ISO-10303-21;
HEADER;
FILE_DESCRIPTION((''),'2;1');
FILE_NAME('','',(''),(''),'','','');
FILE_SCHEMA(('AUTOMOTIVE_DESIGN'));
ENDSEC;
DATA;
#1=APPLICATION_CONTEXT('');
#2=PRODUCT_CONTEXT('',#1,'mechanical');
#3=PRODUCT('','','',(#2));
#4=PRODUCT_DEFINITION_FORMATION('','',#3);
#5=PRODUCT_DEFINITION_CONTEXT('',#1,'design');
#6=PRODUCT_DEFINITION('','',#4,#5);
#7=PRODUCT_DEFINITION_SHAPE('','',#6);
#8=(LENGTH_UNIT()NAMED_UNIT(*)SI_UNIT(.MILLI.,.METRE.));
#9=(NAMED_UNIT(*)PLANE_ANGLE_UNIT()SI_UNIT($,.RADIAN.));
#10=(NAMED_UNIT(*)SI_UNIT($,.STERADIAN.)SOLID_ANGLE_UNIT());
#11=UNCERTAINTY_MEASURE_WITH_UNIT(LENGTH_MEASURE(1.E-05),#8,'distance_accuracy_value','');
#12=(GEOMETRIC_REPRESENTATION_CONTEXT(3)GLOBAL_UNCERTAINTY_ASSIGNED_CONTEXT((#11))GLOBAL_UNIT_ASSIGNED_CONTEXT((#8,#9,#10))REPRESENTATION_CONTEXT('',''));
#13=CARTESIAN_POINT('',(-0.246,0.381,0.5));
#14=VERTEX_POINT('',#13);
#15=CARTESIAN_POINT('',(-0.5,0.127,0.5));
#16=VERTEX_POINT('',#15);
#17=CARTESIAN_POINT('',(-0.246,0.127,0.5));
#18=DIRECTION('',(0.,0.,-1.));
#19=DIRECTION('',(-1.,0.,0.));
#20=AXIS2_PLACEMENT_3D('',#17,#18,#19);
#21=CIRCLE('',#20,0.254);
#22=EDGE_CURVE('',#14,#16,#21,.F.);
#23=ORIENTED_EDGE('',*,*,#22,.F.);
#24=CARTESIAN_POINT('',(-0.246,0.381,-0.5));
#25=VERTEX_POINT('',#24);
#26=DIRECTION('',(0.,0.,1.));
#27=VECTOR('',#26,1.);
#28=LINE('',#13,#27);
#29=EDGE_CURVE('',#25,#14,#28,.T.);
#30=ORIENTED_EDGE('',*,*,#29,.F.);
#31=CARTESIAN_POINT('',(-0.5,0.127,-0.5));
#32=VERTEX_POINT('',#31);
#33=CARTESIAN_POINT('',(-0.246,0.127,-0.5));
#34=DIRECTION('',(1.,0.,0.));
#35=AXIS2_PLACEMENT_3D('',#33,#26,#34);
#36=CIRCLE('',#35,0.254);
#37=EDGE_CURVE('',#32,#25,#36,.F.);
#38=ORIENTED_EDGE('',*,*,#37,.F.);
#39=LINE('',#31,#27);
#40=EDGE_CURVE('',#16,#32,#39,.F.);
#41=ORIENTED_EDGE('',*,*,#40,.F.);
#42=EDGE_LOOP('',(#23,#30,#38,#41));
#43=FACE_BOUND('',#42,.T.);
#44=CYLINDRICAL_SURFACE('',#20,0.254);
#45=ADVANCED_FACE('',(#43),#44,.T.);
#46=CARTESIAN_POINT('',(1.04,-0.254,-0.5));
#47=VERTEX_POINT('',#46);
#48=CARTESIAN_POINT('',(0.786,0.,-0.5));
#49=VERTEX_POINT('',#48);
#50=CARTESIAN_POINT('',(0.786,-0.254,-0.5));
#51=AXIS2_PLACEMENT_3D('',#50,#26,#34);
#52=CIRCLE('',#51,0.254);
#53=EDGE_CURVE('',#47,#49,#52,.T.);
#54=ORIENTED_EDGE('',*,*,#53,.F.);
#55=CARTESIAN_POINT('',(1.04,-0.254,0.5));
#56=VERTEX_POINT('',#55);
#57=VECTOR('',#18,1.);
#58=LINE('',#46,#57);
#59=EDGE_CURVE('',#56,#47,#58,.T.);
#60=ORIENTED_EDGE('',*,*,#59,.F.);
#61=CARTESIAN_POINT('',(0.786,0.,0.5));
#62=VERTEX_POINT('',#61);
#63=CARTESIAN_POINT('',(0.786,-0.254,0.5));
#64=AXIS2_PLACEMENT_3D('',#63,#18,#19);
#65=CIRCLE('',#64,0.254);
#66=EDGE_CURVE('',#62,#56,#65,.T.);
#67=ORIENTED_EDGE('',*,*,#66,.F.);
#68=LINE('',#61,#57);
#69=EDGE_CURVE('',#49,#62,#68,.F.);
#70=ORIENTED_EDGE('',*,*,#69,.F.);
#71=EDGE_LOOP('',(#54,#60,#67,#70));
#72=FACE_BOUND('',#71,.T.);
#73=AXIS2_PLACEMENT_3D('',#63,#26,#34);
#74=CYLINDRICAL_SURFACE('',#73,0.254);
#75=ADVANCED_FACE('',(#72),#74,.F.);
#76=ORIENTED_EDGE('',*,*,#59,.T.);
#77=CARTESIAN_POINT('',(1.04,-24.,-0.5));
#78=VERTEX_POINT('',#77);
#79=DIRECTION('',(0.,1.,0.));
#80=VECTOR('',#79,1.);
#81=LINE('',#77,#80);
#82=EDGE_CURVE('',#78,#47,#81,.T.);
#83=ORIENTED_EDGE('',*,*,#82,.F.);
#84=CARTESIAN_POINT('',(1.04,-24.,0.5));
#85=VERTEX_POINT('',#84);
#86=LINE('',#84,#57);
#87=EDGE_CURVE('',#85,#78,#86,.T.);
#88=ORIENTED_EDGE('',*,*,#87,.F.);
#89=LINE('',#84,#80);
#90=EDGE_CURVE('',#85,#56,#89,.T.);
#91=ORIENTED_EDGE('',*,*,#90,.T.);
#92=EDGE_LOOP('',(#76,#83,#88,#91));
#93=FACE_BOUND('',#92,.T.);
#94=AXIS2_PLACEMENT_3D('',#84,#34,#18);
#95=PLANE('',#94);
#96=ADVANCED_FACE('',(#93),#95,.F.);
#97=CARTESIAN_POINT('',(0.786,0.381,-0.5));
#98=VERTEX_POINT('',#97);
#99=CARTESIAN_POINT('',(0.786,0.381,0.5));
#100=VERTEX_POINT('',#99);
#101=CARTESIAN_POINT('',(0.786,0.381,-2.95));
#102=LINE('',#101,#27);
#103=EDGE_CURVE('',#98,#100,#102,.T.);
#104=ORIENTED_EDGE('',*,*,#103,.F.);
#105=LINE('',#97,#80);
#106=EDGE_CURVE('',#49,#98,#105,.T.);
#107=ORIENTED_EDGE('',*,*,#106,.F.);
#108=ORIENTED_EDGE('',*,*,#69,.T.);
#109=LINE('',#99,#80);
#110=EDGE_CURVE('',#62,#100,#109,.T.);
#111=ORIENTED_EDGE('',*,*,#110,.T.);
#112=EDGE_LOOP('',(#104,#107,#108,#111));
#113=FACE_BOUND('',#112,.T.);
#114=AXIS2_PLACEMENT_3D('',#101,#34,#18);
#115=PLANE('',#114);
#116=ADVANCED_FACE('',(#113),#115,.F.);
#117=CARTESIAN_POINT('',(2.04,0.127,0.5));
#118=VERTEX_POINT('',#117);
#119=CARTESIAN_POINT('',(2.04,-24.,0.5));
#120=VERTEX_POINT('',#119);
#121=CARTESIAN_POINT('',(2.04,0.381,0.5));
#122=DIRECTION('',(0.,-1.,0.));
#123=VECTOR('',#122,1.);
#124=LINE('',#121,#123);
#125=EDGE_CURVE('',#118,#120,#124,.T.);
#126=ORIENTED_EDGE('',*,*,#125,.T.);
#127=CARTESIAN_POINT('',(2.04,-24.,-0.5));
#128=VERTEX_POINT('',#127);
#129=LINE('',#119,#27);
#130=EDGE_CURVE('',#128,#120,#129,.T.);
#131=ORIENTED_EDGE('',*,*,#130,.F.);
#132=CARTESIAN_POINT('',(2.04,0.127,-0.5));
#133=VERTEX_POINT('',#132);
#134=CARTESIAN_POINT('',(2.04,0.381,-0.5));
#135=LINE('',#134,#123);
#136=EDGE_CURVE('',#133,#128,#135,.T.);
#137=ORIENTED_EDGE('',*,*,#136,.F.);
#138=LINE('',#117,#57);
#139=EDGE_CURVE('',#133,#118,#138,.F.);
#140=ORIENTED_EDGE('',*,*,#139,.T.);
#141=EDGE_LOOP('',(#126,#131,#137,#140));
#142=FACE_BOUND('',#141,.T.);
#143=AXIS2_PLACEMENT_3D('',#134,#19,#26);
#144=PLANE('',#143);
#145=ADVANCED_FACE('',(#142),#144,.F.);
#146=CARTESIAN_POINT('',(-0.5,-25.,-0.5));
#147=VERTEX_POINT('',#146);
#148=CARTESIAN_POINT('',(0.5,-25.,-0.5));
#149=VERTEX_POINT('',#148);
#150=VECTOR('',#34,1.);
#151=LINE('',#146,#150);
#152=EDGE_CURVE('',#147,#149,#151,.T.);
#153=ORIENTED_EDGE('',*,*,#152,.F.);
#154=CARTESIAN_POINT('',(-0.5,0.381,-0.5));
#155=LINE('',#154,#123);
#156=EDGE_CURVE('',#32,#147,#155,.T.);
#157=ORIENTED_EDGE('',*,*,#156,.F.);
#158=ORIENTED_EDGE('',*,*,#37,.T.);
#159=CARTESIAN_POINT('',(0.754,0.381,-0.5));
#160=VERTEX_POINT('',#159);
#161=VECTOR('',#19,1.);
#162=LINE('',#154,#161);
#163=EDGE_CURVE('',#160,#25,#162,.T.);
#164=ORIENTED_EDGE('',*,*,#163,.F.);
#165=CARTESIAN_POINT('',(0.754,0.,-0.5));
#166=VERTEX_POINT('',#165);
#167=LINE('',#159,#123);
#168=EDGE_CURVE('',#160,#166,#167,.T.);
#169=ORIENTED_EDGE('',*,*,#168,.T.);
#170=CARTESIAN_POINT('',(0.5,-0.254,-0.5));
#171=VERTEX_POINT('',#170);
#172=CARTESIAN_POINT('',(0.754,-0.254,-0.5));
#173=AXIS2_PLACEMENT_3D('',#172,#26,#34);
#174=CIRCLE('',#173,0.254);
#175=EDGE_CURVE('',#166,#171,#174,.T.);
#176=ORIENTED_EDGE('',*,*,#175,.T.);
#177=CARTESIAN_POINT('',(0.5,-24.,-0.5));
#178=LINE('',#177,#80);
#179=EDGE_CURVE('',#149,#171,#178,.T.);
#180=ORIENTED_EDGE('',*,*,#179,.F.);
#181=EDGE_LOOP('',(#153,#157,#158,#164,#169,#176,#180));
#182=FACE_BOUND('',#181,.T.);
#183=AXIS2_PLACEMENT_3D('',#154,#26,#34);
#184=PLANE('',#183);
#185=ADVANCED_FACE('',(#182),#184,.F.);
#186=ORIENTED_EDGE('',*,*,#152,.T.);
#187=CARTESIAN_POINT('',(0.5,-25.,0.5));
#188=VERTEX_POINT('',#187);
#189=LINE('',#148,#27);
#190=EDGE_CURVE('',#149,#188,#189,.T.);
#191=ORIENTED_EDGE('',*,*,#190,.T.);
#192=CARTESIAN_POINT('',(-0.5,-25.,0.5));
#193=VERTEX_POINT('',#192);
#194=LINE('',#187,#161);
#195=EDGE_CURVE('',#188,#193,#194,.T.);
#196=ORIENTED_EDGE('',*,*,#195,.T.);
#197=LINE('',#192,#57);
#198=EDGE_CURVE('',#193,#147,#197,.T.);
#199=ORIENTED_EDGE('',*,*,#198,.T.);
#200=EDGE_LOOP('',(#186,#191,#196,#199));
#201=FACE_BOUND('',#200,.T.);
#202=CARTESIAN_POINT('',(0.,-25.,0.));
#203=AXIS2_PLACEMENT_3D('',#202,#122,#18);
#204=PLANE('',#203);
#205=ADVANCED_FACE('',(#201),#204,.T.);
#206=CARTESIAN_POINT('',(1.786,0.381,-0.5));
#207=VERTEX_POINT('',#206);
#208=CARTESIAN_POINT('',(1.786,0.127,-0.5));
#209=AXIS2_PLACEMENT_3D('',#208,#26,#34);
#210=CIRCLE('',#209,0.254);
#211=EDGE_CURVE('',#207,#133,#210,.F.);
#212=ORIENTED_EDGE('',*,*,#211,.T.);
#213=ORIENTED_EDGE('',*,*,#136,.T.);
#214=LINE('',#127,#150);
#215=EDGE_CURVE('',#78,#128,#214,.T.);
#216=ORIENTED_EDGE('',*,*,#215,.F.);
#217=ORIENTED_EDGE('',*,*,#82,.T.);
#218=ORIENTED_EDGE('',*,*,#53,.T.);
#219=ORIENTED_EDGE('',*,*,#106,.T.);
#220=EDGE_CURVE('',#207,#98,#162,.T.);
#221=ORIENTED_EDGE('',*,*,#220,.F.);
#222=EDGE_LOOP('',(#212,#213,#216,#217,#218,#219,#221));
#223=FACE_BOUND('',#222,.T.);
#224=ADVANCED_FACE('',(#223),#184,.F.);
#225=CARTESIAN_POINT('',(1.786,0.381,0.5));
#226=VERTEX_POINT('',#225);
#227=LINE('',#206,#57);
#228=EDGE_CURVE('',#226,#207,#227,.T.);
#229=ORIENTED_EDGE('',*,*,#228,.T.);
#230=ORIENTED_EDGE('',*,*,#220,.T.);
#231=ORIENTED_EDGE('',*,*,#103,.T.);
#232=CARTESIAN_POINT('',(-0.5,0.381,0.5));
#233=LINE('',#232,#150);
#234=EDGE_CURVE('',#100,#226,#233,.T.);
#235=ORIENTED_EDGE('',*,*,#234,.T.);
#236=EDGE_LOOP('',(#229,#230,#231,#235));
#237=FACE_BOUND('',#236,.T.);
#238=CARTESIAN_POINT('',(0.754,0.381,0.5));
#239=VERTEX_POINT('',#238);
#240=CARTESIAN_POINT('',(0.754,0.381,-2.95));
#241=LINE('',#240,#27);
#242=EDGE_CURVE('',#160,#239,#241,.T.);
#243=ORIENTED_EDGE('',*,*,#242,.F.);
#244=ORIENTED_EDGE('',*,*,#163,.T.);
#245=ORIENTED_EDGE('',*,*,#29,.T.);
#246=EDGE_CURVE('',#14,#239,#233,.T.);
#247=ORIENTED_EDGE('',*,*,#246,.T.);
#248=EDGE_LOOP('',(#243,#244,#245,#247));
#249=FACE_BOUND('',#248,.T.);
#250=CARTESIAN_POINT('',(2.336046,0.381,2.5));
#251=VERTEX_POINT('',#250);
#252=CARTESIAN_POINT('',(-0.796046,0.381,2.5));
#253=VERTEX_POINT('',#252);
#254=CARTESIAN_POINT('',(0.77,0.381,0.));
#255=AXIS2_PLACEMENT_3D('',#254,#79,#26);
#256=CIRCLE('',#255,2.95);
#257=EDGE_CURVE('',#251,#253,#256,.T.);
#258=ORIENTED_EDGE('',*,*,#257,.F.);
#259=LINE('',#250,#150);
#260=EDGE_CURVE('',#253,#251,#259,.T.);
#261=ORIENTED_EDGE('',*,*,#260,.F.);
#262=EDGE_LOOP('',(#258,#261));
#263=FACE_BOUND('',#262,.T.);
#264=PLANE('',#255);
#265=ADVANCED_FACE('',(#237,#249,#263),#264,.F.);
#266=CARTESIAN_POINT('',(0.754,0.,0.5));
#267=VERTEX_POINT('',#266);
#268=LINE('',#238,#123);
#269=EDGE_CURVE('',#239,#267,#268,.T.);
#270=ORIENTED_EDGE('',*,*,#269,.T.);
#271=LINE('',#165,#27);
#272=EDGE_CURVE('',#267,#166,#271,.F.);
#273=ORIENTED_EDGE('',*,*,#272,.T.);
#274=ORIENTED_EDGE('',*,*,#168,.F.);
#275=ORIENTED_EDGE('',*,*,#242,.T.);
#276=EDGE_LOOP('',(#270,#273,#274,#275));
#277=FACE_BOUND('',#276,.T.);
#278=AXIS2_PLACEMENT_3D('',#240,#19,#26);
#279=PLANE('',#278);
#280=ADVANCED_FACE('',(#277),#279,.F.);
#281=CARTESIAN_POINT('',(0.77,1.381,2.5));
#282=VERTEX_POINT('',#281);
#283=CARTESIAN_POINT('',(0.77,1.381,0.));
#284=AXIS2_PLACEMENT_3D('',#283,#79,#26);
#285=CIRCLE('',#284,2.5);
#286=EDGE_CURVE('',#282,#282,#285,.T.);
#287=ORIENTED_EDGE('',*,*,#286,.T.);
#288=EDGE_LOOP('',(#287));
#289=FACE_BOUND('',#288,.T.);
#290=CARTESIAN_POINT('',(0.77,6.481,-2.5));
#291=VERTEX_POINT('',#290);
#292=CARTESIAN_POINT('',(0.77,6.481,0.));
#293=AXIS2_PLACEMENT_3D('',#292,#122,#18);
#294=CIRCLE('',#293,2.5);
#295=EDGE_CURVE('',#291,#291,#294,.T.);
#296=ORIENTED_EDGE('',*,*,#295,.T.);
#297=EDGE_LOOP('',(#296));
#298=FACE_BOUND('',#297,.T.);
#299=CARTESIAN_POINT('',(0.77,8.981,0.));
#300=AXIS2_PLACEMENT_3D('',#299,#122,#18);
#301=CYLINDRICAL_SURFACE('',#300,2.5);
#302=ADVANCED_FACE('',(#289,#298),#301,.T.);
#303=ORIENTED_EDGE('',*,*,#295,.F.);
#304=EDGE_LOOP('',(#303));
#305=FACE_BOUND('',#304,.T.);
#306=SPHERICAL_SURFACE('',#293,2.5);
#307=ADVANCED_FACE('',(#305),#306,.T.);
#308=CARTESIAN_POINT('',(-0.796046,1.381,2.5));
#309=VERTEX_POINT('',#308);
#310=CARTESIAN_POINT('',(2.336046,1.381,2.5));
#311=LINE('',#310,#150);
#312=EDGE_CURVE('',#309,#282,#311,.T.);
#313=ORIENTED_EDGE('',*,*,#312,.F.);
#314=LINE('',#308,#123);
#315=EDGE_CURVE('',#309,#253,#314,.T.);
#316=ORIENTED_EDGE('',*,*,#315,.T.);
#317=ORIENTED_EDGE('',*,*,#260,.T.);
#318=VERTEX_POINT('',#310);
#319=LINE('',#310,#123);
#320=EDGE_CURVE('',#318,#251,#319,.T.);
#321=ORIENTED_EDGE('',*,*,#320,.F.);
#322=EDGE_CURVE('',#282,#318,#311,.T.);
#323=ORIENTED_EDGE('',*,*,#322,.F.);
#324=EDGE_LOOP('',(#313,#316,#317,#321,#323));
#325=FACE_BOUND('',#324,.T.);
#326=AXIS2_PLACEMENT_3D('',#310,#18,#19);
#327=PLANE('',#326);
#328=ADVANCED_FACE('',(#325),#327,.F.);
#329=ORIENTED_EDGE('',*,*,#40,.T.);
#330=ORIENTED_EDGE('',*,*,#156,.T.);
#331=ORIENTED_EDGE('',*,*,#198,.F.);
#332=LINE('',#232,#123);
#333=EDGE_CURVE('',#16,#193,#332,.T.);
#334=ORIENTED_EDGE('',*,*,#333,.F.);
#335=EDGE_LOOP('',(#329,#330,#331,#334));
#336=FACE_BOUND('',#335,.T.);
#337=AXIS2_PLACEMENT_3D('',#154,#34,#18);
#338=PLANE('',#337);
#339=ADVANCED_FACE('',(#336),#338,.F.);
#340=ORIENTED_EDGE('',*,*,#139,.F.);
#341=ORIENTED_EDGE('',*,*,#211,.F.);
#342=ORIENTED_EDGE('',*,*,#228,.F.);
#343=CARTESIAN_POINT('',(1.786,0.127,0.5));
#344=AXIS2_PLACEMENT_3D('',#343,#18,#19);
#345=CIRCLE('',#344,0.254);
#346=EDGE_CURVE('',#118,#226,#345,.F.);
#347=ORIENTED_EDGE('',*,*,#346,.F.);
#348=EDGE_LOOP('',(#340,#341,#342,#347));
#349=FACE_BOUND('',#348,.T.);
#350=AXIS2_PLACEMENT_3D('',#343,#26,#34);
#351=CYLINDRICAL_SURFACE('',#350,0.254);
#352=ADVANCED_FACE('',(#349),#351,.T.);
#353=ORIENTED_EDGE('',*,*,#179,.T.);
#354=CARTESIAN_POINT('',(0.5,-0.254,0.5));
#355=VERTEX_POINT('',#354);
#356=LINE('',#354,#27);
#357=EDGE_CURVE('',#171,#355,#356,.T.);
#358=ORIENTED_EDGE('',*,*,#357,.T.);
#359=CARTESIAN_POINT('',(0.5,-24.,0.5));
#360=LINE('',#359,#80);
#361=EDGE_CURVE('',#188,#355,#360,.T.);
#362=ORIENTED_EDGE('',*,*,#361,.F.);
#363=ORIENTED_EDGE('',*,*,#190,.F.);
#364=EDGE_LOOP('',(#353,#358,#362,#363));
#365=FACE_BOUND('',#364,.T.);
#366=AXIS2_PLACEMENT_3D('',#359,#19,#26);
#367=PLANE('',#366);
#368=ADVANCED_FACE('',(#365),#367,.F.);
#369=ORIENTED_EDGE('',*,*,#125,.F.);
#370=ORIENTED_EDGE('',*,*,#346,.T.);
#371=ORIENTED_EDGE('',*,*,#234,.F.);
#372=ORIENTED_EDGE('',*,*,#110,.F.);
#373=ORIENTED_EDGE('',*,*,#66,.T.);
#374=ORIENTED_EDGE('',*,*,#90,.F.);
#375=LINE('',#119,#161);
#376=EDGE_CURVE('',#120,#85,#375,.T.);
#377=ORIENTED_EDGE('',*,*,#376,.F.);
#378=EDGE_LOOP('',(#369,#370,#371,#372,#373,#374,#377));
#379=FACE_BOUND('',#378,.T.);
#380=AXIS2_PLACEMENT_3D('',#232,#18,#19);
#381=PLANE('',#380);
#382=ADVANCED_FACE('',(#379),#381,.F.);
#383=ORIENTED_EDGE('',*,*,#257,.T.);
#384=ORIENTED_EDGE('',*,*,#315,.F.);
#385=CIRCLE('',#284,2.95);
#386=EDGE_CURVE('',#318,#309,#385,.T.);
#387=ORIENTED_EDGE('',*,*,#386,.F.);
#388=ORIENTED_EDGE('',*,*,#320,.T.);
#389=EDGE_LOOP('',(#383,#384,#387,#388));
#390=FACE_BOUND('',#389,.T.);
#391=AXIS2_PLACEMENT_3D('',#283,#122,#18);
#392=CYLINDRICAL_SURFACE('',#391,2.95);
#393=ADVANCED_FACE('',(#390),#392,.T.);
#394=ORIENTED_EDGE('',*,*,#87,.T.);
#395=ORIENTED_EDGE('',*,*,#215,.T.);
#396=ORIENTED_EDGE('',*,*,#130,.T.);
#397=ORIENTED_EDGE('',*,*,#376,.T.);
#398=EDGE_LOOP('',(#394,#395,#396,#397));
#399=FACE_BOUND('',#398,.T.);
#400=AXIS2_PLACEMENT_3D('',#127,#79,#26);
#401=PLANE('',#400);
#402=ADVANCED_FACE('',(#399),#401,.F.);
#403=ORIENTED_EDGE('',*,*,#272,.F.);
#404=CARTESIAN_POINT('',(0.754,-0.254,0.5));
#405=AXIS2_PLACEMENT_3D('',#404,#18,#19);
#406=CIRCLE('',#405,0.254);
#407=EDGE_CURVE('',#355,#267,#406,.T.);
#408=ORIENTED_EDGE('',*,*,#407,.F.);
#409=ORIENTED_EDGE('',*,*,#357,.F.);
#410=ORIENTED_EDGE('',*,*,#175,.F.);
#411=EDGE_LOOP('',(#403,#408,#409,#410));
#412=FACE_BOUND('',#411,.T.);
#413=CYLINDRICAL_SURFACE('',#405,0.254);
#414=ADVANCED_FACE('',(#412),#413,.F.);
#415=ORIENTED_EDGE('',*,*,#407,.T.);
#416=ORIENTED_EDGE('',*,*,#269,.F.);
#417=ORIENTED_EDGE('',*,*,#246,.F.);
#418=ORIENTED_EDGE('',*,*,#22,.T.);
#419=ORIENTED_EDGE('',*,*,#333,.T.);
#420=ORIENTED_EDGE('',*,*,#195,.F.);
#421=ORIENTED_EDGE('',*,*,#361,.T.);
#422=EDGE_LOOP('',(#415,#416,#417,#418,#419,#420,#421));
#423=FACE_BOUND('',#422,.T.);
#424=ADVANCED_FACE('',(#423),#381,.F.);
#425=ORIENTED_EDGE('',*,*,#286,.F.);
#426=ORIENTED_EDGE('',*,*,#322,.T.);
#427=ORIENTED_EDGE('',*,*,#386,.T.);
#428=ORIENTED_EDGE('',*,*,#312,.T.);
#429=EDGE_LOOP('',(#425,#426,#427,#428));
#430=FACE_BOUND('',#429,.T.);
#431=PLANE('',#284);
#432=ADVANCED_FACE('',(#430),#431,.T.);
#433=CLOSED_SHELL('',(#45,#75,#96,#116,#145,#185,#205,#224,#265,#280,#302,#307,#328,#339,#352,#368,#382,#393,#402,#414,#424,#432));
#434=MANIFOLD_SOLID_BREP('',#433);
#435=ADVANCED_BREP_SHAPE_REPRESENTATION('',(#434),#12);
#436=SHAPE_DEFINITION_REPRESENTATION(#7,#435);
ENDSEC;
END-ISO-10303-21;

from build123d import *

# Parameters (mm, degrees)
SKETCH1_W           = 2.54
SKETCH1_H           = 1
BASE_EXTRUDE_DEPTH  = 0.381
SKETCH2_W           = 1
SKETCH2_H           = 1
BOSS_EXTRUDE1_DEPTH = 24
SKETCH7_W           = 1
SKETCH7_H           = 1
BOSS_EXTRUDE4_DEPTH = 1
FILLET5_R           = 0.254
BOSS_EXTRUDE2_DEPTH = 1
SKETCH4_R           = 2.5
BOSS_EXTRUDE3_DEPTH = 7.6
FILLET4_R           = 2.5
SKETCH6_W           = 0.032
SKETCH6_H           = 0.381
CUT_EXTRUDE1_DEPTH  = 4.45


with BuildPart() as part:
    # Sketch1 → Base-Extrude (new body)
    with BuildSketch(Plane(origin=(0, 0, 0), x_dir=(1, 0, 0), z_dir=(0, 1, 0))):
        with Locations((0.77, 0)):
            Rectangle(SKETCH1_W, SKETCH1_H)
    extrude(amount=BASE_EXTRUDE_DEPTH)

    # Sketch2 → Boss-Extrude1 (add)
    with BuildSketch(Plane.XZ):
        Rectangle(SKETCH2_W, SKETCH2_H)
        with Locations((1.54, 0)):
            Rectangle(SKETCH2_W, SKETCH2_H)
    extrude(amount=BOSS_EXTRUDE1_DEPTH)

    # Sketch7 → Boss-Extrude4 (add)
    with BuildSketch(Plane.XZ.offset(24)):
        Rectangle(SKETCH7_W, SKETCH7_H)
    extrude(amount=BOSS_EXTRUDE4_DEPTH)

    # Fillet5
    fillet5_edges = [part.edges().sort_by_distance(p)[0] for p in [
        (2.04, 0.381, 0),
        (0.5, 0, 0),
        (1.04, 0, 0),
        (-0.5, 0.381, 0),
    ]]
    fillet(fillet5_edges, radius=FILLET5_R)

    # Sketch3 → Boss-Extrude2 (add)
    with BuildSketch(Plane(origin=(0, 0.381, 0), x_dir=(-1, 0, 0), z_dir=(0, 1, 0))):
        with BuildLine():
            Line((-2.336045976, 2.5), (0.796045976, 2.5))
            ThreePointArc((0.796045976, 2.5), (-0.77, -2.95), (-2.336045976, 2.5))
        make_face()
    extrude(amount=BOSS_EXTRUDE2_DEPTH)

    # Sketch4 → Boss-Extrude3 (add)
    with BuildSketch(Plane(origin=(0, 1.381, 0), x_dir=(-1, 0, 0), z_dir=(0, 1, 0))):
        with Locations((-0.77, 0)):
            Circle(SKETCH4_R)
    extrude(amount=BOSS_EXTRUDE3_DEPTH)

    # Fillet4
    fillet4_edges = [part.edges().sort_by_distance(p)[0] for p in [
        (3.27, 8.981, 0),
    ]]
    fillet(fillet4_edges, radius=FILLET4_R)

    # Sketch6 → Cut-Extrude1 (cut, through all)
    with BuildSketch(Plane.XY.offset(0.5)):
        with Locations((0.77, 0.1905)):
            Rectangle(SKETCH6_W, SKETCH6_H)
    extrude(amount=-CUT_EXTRUDE1_DEPTH, mode=Mode.SUBTRACT)


solid = part.part
